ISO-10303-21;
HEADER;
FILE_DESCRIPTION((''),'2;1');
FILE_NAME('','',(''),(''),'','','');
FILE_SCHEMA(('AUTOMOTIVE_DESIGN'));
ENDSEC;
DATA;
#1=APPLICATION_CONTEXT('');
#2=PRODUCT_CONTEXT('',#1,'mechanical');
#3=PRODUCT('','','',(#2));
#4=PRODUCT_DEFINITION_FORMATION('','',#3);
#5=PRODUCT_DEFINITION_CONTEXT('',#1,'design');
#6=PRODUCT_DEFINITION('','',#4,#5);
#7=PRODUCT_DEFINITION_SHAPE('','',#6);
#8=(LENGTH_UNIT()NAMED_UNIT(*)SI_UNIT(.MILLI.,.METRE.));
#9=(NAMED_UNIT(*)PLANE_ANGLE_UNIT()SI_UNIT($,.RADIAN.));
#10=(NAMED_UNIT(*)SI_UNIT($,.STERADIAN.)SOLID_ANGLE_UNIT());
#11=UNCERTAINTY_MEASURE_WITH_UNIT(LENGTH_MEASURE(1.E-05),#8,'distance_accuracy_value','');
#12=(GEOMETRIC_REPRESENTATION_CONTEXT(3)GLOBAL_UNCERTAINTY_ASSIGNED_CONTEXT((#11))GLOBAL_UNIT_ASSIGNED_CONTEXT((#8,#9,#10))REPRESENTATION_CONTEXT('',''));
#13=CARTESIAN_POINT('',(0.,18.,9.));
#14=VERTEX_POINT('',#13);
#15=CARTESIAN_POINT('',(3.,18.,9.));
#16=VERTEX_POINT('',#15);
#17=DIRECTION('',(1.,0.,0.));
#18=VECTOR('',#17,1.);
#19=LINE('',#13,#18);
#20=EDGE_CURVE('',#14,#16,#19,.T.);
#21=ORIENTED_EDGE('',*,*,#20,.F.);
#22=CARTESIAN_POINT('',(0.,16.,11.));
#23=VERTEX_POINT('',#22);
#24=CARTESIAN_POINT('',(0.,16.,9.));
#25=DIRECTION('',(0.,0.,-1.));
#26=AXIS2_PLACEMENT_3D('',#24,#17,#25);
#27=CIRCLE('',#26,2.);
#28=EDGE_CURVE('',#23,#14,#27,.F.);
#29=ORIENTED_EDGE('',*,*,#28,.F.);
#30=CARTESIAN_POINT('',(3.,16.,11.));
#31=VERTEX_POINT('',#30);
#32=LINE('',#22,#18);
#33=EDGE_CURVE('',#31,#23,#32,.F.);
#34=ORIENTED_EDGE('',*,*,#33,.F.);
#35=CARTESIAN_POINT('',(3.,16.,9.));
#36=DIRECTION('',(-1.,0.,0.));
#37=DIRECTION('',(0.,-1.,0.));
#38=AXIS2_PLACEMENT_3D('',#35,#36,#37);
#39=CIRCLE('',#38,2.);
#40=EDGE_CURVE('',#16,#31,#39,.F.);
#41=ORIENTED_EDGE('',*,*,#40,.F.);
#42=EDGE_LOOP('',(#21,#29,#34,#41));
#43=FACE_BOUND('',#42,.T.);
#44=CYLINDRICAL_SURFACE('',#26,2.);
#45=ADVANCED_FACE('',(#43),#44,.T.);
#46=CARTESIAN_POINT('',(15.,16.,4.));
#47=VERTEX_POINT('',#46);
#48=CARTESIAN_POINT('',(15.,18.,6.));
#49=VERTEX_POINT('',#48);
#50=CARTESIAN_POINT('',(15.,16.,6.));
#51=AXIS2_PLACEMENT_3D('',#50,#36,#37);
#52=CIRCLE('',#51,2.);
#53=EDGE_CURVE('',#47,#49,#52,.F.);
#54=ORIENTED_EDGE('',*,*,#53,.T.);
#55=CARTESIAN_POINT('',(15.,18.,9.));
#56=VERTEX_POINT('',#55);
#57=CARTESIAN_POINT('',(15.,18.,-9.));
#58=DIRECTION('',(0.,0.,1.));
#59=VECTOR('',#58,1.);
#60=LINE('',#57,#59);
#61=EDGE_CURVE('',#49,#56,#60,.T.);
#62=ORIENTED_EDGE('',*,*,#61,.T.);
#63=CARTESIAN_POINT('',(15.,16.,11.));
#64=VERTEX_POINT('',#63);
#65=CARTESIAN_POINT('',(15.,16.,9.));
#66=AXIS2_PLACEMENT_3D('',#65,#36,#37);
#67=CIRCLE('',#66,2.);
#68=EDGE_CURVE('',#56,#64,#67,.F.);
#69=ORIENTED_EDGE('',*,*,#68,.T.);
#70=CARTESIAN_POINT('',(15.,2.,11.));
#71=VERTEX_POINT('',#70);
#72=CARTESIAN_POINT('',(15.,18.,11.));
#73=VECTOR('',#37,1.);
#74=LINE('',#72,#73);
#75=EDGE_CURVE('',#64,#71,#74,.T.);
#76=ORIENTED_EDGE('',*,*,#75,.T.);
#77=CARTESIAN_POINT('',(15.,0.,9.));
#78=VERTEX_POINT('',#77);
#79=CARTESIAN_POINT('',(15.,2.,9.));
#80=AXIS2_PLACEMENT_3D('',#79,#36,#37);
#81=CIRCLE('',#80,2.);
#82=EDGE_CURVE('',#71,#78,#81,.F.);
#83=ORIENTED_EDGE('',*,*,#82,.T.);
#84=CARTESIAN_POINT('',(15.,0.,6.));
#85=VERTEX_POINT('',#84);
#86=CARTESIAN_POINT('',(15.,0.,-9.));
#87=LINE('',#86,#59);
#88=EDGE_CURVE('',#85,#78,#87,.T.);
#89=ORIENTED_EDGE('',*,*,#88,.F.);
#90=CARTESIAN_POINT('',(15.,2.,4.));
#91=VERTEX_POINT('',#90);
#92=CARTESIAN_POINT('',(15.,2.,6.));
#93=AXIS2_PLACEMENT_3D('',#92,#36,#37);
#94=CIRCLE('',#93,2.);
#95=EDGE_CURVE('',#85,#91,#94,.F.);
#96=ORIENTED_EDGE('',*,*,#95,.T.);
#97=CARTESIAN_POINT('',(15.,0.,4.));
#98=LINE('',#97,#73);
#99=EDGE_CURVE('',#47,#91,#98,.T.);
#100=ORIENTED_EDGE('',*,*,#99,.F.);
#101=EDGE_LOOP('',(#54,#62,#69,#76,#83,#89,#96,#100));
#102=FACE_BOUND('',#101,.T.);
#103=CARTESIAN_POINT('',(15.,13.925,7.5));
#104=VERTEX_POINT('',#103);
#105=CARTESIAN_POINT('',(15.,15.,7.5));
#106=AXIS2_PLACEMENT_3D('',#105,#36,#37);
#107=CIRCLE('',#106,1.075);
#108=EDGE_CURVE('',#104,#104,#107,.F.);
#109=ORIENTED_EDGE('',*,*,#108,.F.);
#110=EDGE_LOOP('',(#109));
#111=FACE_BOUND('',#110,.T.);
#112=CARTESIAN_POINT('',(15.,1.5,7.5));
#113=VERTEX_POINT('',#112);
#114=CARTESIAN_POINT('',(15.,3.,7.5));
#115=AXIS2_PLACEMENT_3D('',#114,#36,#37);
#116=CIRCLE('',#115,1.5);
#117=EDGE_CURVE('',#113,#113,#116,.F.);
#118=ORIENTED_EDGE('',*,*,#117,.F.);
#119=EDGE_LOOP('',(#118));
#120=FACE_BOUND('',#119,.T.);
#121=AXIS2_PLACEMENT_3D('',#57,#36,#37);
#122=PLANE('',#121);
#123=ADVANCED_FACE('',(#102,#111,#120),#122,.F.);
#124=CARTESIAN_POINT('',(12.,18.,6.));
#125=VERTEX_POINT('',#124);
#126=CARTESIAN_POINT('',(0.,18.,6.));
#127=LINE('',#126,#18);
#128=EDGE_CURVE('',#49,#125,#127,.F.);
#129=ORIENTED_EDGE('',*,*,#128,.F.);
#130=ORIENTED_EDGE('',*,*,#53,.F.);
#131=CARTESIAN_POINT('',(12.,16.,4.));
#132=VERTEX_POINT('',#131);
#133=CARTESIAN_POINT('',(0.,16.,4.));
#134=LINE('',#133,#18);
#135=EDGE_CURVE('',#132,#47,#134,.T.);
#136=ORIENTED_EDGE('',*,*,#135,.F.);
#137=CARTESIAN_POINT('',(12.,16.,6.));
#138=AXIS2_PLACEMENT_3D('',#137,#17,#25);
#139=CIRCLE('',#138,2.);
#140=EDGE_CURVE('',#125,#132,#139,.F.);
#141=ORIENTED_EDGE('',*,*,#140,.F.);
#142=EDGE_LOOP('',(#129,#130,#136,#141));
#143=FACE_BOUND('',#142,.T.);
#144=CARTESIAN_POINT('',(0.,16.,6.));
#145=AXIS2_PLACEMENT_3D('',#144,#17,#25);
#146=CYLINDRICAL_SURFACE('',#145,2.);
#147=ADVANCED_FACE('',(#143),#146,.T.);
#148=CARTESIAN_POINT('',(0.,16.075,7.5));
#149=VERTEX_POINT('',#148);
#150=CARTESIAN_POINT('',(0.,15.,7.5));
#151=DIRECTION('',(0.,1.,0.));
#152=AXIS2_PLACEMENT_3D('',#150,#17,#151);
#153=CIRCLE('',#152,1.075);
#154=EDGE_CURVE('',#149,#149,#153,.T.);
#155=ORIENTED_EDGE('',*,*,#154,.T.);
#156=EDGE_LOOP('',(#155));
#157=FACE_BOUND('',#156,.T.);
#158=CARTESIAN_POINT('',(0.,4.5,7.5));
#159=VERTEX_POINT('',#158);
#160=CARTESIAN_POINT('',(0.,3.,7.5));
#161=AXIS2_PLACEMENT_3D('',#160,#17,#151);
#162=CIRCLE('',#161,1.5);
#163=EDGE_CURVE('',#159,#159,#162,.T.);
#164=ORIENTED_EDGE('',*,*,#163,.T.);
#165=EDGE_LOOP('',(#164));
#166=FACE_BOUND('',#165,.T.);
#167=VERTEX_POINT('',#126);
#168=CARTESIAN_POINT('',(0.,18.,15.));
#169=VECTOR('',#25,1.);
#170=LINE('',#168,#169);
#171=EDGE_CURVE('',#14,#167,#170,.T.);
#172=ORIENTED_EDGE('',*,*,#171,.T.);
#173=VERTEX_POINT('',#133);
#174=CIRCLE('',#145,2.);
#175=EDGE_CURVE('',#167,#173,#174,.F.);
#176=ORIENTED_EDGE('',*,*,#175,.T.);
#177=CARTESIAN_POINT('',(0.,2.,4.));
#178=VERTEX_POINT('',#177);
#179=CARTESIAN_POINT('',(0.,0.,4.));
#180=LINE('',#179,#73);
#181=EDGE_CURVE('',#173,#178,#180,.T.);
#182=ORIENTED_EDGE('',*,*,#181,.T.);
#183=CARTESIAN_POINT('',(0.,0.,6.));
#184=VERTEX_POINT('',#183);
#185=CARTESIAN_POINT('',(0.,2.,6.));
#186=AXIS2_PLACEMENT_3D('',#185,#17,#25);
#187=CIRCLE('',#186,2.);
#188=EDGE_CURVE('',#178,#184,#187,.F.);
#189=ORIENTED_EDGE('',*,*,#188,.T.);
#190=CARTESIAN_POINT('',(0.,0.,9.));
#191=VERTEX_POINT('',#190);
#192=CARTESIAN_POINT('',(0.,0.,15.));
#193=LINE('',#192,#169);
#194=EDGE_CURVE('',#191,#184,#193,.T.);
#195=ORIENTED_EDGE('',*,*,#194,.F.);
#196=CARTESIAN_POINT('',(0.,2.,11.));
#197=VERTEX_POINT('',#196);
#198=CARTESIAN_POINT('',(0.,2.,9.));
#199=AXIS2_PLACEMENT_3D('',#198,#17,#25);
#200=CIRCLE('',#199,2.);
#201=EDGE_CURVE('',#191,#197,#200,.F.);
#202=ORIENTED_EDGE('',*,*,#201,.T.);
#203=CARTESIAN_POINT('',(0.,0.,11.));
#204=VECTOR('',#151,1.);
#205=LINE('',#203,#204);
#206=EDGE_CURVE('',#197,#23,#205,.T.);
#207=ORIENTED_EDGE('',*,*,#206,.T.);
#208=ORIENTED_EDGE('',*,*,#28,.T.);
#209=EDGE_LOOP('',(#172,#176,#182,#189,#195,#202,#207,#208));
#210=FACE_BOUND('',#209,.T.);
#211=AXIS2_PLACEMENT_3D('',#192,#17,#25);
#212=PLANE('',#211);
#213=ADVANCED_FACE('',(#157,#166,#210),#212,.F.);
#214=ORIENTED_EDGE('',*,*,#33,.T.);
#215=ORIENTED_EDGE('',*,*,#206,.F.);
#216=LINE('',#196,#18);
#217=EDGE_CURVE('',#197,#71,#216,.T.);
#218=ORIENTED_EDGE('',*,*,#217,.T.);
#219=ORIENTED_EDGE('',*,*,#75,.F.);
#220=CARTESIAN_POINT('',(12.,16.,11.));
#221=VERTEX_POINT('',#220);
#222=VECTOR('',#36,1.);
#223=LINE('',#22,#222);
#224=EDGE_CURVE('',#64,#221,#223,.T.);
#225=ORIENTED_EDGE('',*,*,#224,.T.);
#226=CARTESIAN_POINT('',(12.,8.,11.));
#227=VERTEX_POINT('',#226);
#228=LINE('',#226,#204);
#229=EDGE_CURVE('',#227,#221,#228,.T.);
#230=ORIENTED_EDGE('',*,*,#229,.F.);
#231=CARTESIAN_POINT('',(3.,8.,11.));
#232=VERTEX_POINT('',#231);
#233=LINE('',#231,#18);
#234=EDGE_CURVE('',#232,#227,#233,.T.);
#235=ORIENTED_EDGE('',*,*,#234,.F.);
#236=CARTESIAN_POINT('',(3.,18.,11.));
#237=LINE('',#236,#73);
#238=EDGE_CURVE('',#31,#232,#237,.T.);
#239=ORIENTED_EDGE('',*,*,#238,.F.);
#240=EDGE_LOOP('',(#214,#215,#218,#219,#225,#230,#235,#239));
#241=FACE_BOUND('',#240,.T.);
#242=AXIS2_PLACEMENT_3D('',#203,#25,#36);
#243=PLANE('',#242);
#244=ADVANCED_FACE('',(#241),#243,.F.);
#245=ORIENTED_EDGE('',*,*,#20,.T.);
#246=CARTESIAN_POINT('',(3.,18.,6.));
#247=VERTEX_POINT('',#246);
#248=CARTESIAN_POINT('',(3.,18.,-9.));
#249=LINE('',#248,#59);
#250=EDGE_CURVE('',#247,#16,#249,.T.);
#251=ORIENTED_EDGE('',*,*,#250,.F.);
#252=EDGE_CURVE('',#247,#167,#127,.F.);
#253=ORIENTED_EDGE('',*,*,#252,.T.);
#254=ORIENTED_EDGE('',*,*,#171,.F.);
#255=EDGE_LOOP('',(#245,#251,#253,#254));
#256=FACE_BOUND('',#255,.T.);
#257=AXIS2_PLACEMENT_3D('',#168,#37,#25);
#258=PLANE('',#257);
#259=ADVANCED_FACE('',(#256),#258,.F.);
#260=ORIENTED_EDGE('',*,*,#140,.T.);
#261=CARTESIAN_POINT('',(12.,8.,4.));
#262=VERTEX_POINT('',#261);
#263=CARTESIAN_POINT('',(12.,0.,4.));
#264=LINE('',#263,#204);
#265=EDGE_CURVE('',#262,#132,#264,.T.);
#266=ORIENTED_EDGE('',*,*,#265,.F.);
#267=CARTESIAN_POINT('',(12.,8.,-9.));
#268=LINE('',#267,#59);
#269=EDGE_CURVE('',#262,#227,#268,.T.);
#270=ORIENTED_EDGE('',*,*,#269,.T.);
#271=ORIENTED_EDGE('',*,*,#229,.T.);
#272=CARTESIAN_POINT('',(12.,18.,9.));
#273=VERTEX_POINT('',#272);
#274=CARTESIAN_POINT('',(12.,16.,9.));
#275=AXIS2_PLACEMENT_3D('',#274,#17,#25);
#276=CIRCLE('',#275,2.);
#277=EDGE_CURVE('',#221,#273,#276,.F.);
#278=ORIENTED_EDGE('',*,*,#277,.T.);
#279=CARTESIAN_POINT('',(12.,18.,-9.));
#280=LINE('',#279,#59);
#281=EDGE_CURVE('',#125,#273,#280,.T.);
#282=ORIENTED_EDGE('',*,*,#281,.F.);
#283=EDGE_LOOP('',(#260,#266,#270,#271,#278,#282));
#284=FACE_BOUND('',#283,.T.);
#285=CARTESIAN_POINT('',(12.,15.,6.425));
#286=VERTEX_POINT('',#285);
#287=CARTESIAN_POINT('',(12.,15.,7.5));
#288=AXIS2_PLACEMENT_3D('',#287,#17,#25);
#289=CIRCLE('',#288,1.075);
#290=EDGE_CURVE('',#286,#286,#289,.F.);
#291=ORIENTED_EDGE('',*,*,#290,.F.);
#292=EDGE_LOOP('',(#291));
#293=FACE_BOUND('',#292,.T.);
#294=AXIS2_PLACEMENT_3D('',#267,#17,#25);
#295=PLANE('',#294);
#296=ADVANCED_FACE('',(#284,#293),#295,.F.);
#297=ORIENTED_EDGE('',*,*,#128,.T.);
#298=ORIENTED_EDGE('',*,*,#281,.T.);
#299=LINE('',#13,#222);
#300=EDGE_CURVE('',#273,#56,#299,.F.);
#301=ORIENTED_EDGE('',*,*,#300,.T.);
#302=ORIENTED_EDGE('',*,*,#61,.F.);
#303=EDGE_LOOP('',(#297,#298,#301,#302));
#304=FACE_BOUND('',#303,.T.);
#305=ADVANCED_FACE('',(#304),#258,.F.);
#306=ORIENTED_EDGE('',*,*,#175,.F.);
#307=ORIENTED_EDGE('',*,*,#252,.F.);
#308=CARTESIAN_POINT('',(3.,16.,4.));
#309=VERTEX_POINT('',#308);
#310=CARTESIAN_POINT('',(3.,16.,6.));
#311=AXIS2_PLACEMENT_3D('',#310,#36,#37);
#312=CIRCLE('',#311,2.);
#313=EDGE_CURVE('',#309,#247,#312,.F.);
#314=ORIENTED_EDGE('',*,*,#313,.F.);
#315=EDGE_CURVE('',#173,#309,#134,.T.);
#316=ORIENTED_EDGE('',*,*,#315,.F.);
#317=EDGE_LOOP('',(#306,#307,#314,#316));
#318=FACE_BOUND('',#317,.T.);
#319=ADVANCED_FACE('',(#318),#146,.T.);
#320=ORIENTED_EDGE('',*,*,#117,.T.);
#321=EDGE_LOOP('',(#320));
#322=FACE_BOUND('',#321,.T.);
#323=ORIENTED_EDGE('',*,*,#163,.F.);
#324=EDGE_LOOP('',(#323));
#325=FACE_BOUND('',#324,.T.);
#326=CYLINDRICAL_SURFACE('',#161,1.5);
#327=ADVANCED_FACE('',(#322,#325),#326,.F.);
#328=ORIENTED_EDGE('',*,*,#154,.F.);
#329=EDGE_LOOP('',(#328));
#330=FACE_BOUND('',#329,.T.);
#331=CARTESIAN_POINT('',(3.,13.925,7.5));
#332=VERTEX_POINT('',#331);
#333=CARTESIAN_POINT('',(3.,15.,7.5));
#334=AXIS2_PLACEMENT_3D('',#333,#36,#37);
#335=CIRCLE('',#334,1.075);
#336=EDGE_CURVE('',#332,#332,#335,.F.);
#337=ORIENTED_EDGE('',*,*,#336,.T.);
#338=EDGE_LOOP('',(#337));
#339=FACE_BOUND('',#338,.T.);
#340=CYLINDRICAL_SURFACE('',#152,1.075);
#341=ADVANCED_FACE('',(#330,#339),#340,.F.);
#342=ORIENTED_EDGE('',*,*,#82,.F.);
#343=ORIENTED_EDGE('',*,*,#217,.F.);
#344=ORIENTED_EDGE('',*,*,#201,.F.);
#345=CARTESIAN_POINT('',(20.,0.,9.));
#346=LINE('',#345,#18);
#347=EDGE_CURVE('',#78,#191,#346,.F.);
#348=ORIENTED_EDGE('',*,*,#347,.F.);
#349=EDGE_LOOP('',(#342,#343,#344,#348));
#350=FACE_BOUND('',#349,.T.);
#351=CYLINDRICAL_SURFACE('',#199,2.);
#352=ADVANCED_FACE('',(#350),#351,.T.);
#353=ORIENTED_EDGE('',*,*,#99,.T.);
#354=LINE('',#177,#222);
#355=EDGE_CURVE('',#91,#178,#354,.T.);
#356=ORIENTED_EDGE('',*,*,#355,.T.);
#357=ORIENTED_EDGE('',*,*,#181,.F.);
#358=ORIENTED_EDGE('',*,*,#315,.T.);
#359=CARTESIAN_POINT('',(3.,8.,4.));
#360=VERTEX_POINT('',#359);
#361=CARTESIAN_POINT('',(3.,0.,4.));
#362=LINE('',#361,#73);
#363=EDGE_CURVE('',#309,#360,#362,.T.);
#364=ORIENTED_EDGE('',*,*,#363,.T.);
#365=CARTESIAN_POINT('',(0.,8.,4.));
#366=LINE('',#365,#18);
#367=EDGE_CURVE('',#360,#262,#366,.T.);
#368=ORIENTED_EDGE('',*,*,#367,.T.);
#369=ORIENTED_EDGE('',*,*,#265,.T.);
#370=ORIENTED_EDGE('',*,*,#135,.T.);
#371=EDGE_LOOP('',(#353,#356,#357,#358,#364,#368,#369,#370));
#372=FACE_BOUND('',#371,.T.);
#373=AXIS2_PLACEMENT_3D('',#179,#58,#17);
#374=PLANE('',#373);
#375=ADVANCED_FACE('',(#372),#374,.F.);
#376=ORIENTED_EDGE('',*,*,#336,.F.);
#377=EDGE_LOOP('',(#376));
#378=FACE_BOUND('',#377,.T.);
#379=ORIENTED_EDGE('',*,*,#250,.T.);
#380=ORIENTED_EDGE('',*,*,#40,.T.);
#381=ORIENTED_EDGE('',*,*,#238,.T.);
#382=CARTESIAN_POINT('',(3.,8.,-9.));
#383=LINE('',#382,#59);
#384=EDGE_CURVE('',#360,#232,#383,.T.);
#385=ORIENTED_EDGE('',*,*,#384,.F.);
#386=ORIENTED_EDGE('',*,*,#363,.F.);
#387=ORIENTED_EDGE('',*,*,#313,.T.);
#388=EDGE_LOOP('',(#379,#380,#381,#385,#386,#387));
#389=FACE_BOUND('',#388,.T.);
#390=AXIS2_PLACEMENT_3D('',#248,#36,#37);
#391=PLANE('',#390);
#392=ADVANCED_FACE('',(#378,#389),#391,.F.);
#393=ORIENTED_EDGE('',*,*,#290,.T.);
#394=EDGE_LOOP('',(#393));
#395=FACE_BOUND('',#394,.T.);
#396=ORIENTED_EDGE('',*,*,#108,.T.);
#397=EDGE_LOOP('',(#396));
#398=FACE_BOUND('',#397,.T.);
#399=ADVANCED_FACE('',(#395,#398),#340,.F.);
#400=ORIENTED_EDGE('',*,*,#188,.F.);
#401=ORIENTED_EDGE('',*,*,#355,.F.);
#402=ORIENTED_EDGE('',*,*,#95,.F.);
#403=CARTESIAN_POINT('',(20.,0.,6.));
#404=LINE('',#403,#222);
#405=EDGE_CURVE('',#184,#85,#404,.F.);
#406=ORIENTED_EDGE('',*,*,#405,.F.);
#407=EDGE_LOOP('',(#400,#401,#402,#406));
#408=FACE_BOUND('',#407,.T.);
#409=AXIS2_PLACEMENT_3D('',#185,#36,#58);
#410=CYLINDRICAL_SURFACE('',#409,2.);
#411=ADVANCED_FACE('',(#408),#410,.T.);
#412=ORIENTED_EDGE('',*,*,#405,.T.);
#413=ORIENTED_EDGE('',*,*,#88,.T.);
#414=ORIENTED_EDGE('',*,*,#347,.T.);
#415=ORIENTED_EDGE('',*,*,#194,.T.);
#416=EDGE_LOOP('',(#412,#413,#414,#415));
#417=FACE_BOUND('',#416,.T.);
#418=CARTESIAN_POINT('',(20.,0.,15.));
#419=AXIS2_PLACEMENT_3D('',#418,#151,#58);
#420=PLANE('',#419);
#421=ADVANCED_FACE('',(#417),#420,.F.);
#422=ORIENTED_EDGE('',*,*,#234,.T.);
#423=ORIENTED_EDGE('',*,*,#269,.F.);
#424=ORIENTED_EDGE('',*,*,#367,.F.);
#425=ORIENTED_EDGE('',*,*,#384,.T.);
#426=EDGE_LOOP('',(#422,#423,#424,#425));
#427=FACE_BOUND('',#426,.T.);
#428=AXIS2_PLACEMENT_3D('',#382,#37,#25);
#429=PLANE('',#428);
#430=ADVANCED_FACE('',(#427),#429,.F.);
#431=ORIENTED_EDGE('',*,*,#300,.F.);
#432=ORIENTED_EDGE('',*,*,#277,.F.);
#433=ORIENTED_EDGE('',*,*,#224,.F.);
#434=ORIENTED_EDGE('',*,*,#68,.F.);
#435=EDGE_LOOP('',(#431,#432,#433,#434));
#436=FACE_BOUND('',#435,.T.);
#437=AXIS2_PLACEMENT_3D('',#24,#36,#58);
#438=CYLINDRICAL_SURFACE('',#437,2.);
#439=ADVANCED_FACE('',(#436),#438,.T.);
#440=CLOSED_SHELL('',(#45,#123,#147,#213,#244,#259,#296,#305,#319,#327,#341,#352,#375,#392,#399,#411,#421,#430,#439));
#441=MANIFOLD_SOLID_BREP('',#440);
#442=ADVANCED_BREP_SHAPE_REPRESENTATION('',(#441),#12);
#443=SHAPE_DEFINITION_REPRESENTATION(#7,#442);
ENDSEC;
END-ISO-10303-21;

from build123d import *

# Parameters (mm, degrees)
SKETCH_1_W          = 20
SKETCH_1_H          = 18
EXTRUDE_1_DEPTH     = 15
SKETCH_2_R          = 1.5
CUT_EXTRUDE_1_DEPTH = 31.805843601
SKETCH_3_W          = 10
SKETCH_3_H          = 10
CUT_EXTRUDE_2_DEPTH = 15
SKETCH_5_W          = 4
SKETCH_5_H          = 18
CUT_EXTRUDE_3_DEPTH = 31.805843601
SKETCH_6_R          = 1
CUT_EXTRUDE_4_DEPTH = 30.068883707
SKETCH_8_W          = 11.4
SKETCH_8_H          = 10
CUT_EXTRUDE_5_DEPTH = 10
SKETCH_9_W          = 11.4
SKETCH_9_H          = 10
EXTRUDE_2_DEPTH     = 7
SKETCH_10_R         = 1.075
CUT_EXTRUDE_6_DEPTH = 20
SKETCH_11_W         = 5
SKETCH_11_H         = 18
CUT_EXTRUDE_7_DEPTH = 20
SKETCH_12_W         = 9
SKETCH_12_H         = 10
CUT_EXTRUDE_8_DEPTH = 20
FILLET_1_R          = 2
FILLET_2_R          = 2
FILLET_3_R          = 2
FILLET_4_R          = 2
FILLET_5_R          = 2
FILLET_6_R          = 2


with BuildPart() as part:
    # 草图1 → 凸台-拉伸1 (new body)
    with BuildSketch(Plane.XY):
        with Locations((10, 9)):
            Rectangle(SKETCH_1_W, SKETCH_1_H)
    extrude(amount=EXTRUDE_1_DEPTH)

    # 草图2 → 切除-拉伸1 (cut, through all)
    with BuildSketch(Plane(origin=(20, 0, 0), x_dir=(0, 0, -1), z_dir=(1, 0, 0))):
        with Locations(Location((-7.5, 3, 0), (0, 0, 90))):
            Circle(SKETCH_2_R)
        with Locations((-7.5, 22)):
            Circle(SKETCH_2_R)
    extrude(amount=-CUT_EXTRUDE_1_DEPTH, mode=Mode.SUBTRACT)

    # 草图3 → 切除-拉伸2 (cut)
    with BuildSketch(Plane.XY.offset(15)):
        with Locations((10, 13)):
            Rectangle(SKETCH_3_W, SKETCH_3_H)
    extrude(amount=-CUT_EXTRUDE_2_DEPTH, mode=Mode.SUBTRACT)

    # 草图5 → 切除-拉伸3 (cut, through all)
    with BuildSketch(Plane(origin=(20, 0, 0), x_dir=(0, 0, -1), z_dir=(1, 0, 0))):
        with Locations((-13, 9)):
            Rectangle(SKETCH_5_W, SKETCH_5_H)
        with Locations((-2, 9)):
            Rectangle(SKETCH_5_W, SKETCH_5_H)
    extrude(amount=-CUT_EXTRUDE_3_DEPTH, mode=Mode.SUBTRACT)

    # 草图6 → 切除-拉伸4 (cut, through all)
    with BuildSketch(Plane(origin=(20, 0, 0), x_dir=(0, 0, -1), z_dir=(1, 0, 0))):
        with Locations(Location((-7.5, 15, 0), (0, 0, 90))):
            Circle(SKETCH_6_R)
    extrude(amount=-CUT_EXTRUDE_4_DEPTH, mode=Mode.SUBTRACT)

    # 草图8 → 切除-拉伸5 (cut)
    with BuildSketch(Plane.XY.offset(11)):
        with Locations((10, 13)):
            Rectangle(SKETCH_8_W, SKETCH_8_H)
    extrude(amount=-CUT_EXTRUDE_5_DEPTH, mode=Mode.SUBTRACT)

    # 草图9 → 凸台-拉伸2 (add)
    with BuildSketch(Plane.XY.offset(11)):
        with Locations((10, 13)):
            Rectangle(SKETCH_9_W, SKETCH_9_H)
    extrude(amount=-EXTRUDE_2_DEPTH)

    # 草图10 → 切除-拉伸6 (cut)
    with BuildSketch(Plane(origin=(20, 0, 0), x_dir=(0, 0, -1), z_dir=(1, 0, 0))):
        with Locations(Location((-7.5, 15, 0), (0, 0, 90))):
            Circle(SKETCH_10_R)
    extrude(amount=-CUT_EXTRUDE_6_DEPTH, mode=Mode.SUBTRACT)

    # 草图11 → 切除-拉伸7 (cut)
    with BuildSketch(Plane.XY.offset(11)):
        with Locations((17.5, 9)):
            Rectangle(SKETCH_11_W, SKETCH_11_H)
    extrude(amount=-CUT_EXTRUDE_7_DEPTH, mode=Mode.SUBTRACT)

    # 草图12 → 切除-拉伸8 (cut)
    with BuildSketch(Plane.XY.offset(11)):
        with Locations((7.5, 13)):
            Rectangle(SKETCH_12_W, SKETCH_12_H)
    extrude(amount=-CUT_EXTRUDE_8_DEPTH, mode=Mode.SUBTRACT)

    # 圆角1
    fillet_1_edges = [part.edges().sort_by_distance(p)[0] for p in [
        (7.5, 0, 11),
    ]]
    fillet(fillet_1_edges, radius=FILLET_1_R)

    # 圆角2
    fillet_2_edges = [part.edges().sort_by_distance(p)[0] for p in [
        (7.5, 0, 4),
    ]]
    fillet(fillet_2_edges, radius=FILLET_2_R)

    # 圆角3
    fillet_3_edges = [part.edges().sort_by_distance(p)[0] for p in [
        (1.5, 18, 11),
    ]]
    fillet(fillet_3_edges, radius=FILLET_3_R)

    # 圆角4
    fillet_4_edges = [part.edges().sort_by_distance(p)[0] for p in [
        (13.5, 18, 11),
    ]]
    fillet(fillet_4_edges, radius=FILLET_4_R)

    # 圆角5
    fillet_5_edges = [part.edges().sort_by_distance(p)[0] for p in [
        (13.5, 18, 4),
    ]]
    fillet(fillet_5_edges, radius=FILLET_5_R)

    # 圆角6
    fillet_6_edges = [part.edges().sort_by_distance(p)[0] for p in [
        (1.5, 18, 4),
    ]]
    fillet(fillet_6_edges, radius=FILLET_6_R)


solid = part.part
